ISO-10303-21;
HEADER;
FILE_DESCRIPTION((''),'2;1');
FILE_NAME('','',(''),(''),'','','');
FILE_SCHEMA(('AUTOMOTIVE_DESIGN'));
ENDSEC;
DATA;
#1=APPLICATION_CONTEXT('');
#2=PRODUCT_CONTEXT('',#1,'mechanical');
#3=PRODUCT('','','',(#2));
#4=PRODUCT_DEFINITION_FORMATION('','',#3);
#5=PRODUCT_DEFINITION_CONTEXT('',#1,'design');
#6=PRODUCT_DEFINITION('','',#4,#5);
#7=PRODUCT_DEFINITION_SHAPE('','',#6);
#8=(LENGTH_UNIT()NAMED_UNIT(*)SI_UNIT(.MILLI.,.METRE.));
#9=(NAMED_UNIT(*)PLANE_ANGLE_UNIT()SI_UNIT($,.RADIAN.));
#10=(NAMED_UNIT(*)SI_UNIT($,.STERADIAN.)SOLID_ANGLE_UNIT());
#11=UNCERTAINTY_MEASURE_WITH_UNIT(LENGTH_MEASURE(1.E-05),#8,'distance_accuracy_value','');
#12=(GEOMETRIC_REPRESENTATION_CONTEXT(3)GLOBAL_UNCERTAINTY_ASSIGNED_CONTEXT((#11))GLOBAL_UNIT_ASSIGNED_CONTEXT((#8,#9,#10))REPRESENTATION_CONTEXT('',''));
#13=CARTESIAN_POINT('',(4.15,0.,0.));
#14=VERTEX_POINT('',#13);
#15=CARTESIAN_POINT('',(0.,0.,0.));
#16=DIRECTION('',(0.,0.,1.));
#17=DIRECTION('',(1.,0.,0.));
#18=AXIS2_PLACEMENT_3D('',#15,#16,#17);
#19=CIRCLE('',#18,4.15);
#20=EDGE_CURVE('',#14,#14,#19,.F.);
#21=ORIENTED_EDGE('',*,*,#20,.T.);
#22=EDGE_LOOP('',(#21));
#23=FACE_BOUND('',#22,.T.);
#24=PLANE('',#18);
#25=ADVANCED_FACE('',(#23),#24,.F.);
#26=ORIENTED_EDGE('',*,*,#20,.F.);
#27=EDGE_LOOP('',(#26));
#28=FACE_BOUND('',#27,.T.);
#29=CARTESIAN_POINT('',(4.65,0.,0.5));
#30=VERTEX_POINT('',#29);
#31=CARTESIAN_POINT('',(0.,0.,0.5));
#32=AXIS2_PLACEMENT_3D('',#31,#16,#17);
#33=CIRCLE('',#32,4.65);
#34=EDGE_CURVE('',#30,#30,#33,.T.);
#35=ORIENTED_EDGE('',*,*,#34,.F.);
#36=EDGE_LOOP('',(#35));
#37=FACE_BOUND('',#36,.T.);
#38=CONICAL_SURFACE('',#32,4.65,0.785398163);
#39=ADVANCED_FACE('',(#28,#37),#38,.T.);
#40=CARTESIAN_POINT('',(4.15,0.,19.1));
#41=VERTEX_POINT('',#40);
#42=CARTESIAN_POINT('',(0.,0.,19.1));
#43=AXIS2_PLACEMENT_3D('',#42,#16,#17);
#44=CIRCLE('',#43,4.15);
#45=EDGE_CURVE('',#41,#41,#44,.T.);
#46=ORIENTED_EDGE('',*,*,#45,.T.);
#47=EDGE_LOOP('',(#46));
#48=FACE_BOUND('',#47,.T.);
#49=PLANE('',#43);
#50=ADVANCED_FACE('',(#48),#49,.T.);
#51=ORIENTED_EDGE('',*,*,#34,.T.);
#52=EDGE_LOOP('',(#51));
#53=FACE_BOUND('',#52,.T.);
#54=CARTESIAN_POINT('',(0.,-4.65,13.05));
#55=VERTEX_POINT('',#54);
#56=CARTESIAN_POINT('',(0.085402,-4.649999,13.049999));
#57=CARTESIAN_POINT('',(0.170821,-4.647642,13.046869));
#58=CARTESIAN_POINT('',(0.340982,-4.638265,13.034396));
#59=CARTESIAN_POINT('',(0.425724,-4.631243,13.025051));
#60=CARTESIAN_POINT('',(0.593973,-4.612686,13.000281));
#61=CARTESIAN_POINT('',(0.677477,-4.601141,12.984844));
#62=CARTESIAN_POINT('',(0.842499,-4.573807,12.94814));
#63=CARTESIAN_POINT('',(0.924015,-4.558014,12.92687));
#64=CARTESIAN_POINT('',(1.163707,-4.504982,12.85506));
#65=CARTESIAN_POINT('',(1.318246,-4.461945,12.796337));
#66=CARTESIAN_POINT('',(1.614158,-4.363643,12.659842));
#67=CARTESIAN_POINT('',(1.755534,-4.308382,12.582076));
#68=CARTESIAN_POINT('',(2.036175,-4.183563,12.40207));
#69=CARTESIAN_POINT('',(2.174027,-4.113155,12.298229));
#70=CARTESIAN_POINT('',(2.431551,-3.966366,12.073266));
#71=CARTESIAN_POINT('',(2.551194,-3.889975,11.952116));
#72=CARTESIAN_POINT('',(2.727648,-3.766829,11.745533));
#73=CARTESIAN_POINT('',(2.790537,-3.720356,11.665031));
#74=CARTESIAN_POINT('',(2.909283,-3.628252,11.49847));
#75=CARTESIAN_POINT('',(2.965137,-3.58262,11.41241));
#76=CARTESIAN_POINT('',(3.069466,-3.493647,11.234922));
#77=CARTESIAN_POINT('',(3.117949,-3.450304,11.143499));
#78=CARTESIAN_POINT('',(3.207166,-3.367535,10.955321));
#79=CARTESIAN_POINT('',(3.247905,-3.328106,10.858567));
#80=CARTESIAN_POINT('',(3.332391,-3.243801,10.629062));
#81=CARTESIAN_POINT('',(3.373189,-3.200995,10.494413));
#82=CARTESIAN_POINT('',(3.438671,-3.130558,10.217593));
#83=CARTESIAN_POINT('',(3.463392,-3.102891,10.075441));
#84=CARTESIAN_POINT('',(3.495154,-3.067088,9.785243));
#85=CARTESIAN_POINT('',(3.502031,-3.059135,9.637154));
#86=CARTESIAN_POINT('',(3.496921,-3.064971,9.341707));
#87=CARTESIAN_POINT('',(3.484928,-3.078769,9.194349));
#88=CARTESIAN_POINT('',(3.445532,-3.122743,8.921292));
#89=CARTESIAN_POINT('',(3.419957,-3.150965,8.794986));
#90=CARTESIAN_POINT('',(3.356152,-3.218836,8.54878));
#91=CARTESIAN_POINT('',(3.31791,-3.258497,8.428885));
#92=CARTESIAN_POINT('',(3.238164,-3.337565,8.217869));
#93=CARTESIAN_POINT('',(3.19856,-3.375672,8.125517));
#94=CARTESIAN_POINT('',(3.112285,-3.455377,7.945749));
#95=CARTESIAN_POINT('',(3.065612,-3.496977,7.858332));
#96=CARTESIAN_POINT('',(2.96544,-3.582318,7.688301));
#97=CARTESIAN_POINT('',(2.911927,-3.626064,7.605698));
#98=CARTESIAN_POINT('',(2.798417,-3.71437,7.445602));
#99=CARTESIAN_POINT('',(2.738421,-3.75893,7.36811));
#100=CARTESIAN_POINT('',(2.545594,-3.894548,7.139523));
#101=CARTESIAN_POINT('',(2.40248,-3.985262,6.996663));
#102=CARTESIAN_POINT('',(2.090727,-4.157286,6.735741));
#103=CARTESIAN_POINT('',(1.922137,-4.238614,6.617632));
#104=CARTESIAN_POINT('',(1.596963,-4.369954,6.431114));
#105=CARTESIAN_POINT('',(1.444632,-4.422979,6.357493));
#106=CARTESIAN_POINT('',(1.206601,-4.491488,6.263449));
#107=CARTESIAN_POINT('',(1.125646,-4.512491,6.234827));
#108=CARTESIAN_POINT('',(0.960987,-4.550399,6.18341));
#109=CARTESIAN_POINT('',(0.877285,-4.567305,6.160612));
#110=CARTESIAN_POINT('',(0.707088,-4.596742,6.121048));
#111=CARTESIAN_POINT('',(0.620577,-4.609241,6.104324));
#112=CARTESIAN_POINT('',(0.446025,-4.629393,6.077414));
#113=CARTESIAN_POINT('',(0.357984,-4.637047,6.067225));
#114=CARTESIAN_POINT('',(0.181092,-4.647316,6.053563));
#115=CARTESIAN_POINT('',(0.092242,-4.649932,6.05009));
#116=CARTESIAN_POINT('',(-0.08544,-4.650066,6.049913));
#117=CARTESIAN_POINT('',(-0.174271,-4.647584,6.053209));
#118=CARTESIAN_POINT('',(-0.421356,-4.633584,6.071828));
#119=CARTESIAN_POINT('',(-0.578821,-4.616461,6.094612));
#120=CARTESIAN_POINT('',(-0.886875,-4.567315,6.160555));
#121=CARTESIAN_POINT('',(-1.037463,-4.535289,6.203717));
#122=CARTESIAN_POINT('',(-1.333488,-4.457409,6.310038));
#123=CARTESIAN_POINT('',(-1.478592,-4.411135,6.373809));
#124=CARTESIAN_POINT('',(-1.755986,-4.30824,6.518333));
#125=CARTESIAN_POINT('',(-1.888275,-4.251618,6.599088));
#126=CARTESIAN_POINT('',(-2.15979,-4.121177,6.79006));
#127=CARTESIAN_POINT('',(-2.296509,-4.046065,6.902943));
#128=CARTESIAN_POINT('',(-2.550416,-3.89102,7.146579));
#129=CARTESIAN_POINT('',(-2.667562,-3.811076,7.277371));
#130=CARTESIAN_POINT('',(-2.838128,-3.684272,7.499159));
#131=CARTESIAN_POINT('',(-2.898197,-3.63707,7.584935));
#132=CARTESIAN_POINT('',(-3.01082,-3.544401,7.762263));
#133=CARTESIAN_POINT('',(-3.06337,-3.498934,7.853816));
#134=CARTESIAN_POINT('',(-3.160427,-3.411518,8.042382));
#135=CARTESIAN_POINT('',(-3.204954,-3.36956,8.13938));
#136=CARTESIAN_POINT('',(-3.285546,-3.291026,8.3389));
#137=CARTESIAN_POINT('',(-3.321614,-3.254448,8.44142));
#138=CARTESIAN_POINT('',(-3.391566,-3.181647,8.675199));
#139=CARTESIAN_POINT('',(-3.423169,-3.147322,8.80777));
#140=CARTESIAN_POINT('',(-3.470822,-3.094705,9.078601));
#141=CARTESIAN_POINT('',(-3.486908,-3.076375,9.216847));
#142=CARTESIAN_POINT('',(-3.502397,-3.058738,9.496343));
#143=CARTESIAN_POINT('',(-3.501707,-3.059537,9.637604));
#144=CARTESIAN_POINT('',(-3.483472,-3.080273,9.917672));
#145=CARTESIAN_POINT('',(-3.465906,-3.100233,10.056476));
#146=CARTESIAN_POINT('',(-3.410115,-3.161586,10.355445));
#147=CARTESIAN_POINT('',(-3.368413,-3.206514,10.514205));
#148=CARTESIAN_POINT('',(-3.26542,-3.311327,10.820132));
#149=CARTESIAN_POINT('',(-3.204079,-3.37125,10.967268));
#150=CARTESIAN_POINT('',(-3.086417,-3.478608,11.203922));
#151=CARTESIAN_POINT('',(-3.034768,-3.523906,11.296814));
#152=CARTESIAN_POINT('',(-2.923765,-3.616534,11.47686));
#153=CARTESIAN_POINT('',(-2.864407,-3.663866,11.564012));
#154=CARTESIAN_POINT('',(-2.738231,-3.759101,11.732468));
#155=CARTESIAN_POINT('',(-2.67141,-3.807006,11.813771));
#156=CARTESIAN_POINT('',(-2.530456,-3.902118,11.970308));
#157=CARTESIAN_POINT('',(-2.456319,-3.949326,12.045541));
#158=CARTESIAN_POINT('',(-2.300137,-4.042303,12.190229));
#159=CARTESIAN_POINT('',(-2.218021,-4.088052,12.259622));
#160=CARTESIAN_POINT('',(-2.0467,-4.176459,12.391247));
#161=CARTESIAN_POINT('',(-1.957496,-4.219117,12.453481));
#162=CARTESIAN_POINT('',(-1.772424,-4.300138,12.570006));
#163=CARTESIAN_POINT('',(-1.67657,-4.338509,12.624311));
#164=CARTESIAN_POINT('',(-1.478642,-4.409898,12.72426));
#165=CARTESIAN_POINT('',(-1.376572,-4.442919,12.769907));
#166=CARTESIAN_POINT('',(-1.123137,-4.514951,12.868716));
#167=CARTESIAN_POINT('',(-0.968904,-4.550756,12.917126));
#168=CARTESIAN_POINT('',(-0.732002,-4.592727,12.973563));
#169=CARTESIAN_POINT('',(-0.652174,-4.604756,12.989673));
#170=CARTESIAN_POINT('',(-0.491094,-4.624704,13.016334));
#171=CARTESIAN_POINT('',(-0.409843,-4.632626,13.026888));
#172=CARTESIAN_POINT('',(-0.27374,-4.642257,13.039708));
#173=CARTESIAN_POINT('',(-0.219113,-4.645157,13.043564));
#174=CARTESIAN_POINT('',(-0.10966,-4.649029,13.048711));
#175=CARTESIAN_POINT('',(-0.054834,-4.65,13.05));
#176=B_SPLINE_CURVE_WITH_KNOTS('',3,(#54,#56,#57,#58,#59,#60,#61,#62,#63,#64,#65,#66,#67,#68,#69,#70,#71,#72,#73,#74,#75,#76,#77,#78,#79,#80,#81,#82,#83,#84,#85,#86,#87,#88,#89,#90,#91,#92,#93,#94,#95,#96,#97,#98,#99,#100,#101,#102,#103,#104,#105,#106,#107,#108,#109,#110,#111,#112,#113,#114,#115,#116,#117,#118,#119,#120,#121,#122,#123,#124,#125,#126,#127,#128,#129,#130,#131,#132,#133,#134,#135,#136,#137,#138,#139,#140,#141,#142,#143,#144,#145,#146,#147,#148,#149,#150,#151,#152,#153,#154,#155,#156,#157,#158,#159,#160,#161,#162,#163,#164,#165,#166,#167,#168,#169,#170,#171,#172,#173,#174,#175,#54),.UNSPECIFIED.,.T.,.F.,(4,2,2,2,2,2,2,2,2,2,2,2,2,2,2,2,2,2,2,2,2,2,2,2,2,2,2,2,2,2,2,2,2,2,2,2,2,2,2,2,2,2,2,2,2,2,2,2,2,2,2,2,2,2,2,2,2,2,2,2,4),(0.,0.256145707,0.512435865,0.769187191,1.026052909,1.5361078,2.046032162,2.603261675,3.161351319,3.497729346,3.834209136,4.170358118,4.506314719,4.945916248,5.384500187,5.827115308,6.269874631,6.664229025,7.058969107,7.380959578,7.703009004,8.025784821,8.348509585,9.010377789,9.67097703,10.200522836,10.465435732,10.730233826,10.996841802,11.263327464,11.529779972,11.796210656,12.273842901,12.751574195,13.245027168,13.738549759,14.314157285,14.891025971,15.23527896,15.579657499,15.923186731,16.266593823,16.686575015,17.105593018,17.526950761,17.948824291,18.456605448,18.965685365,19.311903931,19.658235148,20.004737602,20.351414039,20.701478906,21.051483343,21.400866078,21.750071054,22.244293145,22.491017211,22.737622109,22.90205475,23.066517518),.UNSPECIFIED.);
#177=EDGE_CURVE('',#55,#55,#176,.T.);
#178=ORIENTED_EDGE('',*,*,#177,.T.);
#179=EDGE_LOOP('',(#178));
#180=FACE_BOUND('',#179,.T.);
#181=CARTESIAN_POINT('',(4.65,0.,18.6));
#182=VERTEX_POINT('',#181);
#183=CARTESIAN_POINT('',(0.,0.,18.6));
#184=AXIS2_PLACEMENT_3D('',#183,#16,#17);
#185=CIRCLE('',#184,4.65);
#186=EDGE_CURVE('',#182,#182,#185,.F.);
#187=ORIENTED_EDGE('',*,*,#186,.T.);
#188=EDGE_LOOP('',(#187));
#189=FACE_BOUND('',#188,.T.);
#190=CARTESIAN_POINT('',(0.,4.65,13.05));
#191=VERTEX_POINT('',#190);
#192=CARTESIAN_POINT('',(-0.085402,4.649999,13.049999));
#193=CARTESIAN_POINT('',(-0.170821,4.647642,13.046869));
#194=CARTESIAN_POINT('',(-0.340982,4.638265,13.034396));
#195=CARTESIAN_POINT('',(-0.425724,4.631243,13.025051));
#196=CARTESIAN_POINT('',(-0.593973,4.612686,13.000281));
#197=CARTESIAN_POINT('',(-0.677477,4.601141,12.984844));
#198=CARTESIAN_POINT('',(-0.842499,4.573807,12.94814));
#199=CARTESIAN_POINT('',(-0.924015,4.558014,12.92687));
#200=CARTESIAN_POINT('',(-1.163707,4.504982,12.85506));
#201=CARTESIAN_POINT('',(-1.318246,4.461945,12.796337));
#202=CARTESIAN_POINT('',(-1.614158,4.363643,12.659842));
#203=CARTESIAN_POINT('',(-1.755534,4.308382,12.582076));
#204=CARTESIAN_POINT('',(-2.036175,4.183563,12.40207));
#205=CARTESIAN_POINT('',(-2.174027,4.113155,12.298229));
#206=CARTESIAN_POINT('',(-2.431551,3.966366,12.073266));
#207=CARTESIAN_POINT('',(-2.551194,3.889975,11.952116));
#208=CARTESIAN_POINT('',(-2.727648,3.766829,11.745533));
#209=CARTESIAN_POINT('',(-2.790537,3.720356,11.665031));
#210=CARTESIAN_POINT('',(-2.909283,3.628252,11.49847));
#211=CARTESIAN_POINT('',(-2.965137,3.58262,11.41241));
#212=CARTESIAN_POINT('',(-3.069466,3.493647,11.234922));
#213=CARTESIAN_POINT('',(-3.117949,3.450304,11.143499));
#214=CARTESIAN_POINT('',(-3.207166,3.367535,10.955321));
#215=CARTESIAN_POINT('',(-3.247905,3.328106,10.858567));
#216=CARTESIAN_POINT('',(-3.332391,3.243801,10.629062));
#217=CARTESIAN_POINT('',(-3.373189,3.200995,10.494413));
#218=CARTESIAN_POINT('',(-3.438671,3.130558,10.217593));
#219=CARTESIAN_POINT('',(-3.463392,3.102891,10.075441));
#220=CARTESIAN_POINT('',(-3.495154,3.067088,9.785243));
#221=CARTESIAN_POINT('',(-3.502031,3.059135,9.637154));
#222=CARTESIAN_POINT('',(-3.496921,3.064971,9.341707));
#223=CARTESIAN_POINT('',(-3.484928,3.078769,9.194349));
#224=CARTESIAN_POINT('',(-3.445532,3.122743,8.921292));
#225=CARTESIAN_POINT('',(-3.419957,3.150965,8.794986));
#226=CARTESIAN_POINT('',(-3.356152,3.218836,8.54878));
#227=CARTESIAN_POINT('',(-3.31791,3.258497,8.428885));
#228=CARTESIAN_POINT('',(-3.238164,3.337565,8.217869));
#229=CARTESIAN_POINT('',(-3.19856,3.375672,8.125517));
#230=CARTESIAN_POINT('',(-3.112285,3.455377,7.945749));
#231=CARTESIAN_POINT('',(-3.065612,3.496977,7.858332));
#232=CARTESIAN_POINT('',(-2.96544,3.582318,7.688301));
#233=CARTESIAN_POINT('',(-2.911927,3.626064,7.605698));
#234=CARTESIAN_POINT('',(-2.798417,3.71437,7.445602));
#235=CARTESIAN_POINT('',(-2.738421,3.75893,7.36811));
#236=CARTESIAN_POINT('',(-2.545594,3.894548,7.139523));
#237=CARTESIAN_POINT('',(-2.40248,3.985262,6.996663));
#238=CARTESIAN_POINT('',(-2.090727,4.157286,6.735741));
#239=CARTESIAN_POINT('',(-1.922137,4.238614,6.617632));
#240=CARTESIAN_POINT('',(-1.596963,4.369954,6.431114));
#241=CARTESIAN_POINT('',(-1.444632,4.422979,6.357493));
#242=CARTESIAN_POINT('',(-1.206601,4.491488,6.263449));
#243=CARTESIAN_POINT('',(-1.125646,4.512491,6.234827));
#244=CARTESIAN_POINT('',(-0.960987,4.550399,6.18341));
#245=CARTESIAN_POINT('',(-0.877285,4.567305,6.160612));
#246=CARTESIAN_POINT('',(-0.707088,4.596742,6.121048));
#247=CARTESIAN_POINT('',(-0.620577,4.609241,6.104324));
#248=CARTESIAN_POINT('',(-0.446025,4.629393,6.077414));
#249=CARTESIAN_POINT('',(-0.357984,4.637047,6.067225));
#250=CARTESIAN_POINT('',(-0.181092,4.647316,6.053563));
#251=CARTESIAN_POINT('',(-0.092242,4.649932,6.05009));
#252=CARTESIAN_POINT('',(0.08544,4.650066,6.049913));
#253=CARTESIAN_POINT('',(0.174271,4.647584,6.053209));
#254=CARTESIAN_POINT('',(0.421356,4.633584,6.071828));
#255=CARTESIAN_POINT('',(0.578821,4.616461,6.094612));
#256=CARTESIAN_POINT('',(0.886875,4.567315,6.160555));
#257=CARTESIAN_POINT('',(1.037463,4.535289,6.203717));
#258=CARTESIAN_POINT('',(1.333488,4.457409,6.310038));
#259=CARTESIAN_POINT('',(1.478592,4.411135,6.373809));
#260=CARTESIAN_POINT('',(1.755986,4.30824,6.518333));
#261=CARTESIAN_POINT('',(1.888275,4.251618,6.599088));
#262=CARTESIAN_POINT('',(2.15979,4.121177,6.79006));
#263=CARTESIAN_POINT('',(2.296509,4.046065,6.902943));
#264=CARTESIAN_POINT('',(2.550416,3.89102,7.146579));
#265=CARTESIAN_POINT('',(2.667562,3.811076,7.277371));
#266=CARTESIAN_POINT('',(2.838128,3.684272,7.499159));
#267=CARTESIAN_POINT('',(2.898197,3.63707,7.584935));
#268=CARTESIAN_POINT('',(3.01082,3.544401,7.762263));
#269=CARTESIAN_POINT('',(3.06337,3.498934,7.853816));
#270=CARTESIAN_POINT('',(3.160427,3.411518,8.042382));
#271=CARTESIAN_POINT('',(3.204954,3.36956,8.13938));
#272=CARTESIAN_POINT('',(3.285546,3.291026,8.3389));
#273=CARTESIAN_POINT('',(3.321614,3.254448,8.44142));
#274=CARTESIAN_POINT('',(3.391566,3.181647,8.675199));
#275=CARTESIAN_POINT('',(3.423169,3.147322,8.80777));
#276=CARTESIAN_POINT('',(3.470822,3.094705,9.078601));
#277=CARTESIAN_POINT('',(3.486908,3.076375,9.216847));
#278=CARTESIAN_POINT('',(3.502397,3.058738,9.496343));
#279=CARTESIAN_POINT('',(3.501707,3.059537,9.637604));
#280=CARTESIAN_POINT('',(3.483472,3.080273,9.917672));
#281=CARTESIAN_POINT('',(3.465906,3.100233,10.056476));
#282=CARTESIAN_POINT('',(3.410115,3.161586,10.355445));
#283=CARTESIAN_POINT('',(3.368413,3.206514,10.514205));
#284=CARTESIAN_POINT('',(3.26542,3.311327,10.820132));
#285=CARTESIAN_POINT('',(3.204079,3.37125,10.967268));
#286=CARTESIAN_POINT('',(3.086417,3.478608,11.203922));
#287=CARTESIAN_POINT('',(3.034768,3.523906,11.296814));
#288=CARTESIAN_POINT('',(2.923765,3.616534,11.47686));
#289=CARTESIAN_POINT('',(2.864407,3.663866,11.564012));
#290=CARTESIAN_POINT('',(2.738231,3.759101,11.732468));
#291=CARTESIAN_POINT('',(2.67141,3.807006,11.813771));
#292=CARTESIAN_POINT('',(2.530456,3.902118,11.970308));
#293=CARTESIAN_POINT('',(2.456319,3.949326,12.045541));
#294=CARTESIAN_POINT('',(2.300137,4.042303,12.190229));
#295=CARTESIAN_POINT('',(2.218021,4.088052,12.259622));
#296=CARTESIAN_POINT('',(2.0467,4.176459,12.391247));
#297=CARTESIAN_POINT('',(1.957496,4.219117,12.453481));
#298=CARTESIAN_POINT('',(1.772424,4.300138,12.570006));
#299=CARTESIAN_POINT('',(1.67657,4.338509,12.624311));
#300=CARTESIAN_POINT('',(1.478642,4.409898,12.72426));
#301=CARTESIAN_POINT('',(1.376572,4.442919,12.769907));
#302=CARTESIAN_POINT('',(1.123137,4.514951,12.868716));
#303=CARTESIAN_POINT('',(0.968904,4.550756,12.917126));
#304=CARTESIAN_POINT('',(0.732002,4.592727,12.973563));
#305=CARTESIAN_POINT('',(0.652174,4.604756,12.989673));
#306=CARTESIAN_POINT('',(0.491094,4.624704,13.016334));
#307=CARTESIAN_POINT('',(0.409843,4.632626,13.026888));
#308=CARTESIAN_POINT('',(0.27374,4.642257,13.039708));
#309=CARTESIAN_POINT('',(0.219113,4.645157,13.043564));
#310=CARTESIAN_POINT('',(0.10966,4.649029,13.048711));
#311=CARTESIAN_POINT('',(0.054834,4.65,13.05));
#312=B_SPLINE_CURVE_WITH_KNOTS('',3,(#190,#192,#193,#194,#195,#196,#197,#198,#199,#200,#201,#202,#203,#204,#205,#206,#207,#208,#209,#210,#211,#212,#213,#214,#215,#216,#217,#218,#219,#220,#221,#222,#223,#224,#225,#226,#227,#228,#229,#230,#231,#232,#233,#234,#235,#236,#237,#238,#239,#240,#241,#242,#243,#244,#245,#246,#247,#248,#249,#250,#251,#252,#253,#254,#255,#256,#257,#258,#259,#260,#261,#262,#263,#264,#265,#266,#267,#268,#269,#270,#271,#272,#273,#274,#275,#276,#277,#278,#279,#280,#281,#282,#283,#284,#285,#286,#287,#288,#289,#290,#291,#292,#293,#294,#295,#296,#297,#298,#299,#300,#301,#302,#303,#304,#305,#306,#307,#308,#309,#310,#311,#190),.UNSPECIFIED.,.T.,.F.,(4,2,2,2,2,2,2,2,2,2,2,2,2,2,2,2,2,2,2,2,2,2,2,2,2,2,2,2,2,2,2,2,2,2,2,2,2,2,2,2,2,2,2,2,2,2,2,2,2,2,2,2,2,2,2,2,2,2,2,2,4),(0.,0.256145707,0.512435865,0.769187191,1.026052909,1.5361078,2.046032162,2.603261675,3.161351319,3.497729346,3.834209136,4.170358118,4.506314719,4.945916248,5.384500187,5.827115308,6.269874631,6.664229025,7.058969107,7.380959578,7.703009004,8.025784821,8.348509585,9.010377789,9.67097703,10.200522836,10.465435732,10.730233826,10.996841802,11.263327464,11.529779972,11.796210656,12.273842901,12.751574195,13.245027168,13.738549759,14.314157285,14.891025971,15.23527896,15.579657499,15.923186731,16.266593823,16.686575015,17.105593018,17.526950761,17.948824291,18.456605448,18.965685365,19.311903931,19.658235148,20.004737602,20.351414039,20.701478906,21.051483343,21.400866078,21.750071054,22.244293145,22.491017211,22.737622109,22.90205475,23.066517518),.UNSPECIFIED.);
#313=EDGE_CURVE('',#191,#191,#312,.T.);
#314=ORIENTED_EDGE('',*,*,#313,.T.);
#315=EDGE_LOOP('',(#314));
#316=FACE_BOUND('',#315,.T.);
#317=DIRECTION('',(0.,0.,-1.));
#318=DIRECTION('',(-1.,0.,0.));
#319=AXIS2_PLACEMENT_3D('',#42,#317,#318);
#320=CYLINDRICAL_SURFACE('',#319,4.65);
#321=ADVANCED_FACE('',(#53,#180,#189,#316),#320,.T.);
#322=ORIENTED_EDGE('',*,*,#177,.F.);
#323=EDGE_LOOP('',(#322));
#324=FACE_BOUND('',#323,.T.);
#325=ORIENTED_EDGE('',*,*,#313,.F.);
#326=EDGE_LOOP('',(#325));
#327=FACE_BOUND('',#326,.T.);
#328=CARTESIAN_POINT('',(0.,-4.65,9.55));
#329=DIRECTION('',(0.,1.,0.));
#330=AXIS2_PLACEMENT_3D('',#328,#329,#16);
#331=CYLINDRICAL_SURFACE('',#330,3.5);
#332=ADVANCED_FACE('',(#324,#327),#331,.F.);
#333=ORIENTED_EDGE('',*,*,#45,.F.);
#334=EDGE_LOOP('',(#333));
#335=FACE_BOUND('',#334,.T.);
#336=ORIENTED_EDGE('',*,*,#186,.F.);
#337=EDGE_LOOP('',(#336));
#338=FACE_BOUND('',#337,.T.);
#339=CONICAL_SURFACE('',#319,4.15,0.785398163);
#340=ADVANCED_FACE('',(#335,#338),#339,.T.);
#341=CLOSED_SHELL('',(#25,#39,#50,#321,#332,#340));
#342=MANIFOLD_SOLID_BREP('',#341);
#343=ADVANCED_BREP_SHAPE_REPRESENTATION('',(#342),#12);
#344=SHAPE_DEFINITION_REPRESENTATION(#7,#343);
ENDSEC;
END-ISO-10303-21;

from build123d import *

# Parameters (mm, degrees)
SKETCH1_R               = 4.65
BOSS_EXTRUDE1_DEPTH     = 19.1
SKETCH2_R               = 3.5
CUT_EXTRUDE1_DEPTH      = 5.65
CUT_EXTRUDE1_DEPTH_BACK = 5.65
CHAMFER1_SIZE           = 0.5


with BuildPart() as part:
    # Sketch1 → Boss-Extrude1 (new body)
    with BuildSketch(Plane.XY):
        Circle(SKETCH1_R)
    extrude(amount=BOSS_EXTRUDE1_DEPTH)

    # Sketch2 → Cut-Extrude1 (cut, two sides)
    with BuildSketch(Plane(origin=(0, 0, 0), x_dir=(1, 0, 0), z_dir=(0, 1, 0))) as cut_extrude1_sk:
        with Locations((0, -9.55)):
            Circle(SKETCH2_R)
    extrude(amount=CUT_EXTRUDE1_DEPTH, mode=Mode.SUBTRACT)
    extrude(cut_extrude1_sk.sketch, amount=-CUT_EXTRUDE1_DEPTH_BACK, mode=Mode.SUBTRACT)

    # Chamfer1
    chamfer1_edges = [part.edges().sort_by_distance(p)[0] for p in [
        (-4.65, 0, 0),
        (-4.65, 0, 19.1),
    ]]
    chamfer(chamfer1_edges, length=CHAMFER1_SIZE)


solid = part.part
